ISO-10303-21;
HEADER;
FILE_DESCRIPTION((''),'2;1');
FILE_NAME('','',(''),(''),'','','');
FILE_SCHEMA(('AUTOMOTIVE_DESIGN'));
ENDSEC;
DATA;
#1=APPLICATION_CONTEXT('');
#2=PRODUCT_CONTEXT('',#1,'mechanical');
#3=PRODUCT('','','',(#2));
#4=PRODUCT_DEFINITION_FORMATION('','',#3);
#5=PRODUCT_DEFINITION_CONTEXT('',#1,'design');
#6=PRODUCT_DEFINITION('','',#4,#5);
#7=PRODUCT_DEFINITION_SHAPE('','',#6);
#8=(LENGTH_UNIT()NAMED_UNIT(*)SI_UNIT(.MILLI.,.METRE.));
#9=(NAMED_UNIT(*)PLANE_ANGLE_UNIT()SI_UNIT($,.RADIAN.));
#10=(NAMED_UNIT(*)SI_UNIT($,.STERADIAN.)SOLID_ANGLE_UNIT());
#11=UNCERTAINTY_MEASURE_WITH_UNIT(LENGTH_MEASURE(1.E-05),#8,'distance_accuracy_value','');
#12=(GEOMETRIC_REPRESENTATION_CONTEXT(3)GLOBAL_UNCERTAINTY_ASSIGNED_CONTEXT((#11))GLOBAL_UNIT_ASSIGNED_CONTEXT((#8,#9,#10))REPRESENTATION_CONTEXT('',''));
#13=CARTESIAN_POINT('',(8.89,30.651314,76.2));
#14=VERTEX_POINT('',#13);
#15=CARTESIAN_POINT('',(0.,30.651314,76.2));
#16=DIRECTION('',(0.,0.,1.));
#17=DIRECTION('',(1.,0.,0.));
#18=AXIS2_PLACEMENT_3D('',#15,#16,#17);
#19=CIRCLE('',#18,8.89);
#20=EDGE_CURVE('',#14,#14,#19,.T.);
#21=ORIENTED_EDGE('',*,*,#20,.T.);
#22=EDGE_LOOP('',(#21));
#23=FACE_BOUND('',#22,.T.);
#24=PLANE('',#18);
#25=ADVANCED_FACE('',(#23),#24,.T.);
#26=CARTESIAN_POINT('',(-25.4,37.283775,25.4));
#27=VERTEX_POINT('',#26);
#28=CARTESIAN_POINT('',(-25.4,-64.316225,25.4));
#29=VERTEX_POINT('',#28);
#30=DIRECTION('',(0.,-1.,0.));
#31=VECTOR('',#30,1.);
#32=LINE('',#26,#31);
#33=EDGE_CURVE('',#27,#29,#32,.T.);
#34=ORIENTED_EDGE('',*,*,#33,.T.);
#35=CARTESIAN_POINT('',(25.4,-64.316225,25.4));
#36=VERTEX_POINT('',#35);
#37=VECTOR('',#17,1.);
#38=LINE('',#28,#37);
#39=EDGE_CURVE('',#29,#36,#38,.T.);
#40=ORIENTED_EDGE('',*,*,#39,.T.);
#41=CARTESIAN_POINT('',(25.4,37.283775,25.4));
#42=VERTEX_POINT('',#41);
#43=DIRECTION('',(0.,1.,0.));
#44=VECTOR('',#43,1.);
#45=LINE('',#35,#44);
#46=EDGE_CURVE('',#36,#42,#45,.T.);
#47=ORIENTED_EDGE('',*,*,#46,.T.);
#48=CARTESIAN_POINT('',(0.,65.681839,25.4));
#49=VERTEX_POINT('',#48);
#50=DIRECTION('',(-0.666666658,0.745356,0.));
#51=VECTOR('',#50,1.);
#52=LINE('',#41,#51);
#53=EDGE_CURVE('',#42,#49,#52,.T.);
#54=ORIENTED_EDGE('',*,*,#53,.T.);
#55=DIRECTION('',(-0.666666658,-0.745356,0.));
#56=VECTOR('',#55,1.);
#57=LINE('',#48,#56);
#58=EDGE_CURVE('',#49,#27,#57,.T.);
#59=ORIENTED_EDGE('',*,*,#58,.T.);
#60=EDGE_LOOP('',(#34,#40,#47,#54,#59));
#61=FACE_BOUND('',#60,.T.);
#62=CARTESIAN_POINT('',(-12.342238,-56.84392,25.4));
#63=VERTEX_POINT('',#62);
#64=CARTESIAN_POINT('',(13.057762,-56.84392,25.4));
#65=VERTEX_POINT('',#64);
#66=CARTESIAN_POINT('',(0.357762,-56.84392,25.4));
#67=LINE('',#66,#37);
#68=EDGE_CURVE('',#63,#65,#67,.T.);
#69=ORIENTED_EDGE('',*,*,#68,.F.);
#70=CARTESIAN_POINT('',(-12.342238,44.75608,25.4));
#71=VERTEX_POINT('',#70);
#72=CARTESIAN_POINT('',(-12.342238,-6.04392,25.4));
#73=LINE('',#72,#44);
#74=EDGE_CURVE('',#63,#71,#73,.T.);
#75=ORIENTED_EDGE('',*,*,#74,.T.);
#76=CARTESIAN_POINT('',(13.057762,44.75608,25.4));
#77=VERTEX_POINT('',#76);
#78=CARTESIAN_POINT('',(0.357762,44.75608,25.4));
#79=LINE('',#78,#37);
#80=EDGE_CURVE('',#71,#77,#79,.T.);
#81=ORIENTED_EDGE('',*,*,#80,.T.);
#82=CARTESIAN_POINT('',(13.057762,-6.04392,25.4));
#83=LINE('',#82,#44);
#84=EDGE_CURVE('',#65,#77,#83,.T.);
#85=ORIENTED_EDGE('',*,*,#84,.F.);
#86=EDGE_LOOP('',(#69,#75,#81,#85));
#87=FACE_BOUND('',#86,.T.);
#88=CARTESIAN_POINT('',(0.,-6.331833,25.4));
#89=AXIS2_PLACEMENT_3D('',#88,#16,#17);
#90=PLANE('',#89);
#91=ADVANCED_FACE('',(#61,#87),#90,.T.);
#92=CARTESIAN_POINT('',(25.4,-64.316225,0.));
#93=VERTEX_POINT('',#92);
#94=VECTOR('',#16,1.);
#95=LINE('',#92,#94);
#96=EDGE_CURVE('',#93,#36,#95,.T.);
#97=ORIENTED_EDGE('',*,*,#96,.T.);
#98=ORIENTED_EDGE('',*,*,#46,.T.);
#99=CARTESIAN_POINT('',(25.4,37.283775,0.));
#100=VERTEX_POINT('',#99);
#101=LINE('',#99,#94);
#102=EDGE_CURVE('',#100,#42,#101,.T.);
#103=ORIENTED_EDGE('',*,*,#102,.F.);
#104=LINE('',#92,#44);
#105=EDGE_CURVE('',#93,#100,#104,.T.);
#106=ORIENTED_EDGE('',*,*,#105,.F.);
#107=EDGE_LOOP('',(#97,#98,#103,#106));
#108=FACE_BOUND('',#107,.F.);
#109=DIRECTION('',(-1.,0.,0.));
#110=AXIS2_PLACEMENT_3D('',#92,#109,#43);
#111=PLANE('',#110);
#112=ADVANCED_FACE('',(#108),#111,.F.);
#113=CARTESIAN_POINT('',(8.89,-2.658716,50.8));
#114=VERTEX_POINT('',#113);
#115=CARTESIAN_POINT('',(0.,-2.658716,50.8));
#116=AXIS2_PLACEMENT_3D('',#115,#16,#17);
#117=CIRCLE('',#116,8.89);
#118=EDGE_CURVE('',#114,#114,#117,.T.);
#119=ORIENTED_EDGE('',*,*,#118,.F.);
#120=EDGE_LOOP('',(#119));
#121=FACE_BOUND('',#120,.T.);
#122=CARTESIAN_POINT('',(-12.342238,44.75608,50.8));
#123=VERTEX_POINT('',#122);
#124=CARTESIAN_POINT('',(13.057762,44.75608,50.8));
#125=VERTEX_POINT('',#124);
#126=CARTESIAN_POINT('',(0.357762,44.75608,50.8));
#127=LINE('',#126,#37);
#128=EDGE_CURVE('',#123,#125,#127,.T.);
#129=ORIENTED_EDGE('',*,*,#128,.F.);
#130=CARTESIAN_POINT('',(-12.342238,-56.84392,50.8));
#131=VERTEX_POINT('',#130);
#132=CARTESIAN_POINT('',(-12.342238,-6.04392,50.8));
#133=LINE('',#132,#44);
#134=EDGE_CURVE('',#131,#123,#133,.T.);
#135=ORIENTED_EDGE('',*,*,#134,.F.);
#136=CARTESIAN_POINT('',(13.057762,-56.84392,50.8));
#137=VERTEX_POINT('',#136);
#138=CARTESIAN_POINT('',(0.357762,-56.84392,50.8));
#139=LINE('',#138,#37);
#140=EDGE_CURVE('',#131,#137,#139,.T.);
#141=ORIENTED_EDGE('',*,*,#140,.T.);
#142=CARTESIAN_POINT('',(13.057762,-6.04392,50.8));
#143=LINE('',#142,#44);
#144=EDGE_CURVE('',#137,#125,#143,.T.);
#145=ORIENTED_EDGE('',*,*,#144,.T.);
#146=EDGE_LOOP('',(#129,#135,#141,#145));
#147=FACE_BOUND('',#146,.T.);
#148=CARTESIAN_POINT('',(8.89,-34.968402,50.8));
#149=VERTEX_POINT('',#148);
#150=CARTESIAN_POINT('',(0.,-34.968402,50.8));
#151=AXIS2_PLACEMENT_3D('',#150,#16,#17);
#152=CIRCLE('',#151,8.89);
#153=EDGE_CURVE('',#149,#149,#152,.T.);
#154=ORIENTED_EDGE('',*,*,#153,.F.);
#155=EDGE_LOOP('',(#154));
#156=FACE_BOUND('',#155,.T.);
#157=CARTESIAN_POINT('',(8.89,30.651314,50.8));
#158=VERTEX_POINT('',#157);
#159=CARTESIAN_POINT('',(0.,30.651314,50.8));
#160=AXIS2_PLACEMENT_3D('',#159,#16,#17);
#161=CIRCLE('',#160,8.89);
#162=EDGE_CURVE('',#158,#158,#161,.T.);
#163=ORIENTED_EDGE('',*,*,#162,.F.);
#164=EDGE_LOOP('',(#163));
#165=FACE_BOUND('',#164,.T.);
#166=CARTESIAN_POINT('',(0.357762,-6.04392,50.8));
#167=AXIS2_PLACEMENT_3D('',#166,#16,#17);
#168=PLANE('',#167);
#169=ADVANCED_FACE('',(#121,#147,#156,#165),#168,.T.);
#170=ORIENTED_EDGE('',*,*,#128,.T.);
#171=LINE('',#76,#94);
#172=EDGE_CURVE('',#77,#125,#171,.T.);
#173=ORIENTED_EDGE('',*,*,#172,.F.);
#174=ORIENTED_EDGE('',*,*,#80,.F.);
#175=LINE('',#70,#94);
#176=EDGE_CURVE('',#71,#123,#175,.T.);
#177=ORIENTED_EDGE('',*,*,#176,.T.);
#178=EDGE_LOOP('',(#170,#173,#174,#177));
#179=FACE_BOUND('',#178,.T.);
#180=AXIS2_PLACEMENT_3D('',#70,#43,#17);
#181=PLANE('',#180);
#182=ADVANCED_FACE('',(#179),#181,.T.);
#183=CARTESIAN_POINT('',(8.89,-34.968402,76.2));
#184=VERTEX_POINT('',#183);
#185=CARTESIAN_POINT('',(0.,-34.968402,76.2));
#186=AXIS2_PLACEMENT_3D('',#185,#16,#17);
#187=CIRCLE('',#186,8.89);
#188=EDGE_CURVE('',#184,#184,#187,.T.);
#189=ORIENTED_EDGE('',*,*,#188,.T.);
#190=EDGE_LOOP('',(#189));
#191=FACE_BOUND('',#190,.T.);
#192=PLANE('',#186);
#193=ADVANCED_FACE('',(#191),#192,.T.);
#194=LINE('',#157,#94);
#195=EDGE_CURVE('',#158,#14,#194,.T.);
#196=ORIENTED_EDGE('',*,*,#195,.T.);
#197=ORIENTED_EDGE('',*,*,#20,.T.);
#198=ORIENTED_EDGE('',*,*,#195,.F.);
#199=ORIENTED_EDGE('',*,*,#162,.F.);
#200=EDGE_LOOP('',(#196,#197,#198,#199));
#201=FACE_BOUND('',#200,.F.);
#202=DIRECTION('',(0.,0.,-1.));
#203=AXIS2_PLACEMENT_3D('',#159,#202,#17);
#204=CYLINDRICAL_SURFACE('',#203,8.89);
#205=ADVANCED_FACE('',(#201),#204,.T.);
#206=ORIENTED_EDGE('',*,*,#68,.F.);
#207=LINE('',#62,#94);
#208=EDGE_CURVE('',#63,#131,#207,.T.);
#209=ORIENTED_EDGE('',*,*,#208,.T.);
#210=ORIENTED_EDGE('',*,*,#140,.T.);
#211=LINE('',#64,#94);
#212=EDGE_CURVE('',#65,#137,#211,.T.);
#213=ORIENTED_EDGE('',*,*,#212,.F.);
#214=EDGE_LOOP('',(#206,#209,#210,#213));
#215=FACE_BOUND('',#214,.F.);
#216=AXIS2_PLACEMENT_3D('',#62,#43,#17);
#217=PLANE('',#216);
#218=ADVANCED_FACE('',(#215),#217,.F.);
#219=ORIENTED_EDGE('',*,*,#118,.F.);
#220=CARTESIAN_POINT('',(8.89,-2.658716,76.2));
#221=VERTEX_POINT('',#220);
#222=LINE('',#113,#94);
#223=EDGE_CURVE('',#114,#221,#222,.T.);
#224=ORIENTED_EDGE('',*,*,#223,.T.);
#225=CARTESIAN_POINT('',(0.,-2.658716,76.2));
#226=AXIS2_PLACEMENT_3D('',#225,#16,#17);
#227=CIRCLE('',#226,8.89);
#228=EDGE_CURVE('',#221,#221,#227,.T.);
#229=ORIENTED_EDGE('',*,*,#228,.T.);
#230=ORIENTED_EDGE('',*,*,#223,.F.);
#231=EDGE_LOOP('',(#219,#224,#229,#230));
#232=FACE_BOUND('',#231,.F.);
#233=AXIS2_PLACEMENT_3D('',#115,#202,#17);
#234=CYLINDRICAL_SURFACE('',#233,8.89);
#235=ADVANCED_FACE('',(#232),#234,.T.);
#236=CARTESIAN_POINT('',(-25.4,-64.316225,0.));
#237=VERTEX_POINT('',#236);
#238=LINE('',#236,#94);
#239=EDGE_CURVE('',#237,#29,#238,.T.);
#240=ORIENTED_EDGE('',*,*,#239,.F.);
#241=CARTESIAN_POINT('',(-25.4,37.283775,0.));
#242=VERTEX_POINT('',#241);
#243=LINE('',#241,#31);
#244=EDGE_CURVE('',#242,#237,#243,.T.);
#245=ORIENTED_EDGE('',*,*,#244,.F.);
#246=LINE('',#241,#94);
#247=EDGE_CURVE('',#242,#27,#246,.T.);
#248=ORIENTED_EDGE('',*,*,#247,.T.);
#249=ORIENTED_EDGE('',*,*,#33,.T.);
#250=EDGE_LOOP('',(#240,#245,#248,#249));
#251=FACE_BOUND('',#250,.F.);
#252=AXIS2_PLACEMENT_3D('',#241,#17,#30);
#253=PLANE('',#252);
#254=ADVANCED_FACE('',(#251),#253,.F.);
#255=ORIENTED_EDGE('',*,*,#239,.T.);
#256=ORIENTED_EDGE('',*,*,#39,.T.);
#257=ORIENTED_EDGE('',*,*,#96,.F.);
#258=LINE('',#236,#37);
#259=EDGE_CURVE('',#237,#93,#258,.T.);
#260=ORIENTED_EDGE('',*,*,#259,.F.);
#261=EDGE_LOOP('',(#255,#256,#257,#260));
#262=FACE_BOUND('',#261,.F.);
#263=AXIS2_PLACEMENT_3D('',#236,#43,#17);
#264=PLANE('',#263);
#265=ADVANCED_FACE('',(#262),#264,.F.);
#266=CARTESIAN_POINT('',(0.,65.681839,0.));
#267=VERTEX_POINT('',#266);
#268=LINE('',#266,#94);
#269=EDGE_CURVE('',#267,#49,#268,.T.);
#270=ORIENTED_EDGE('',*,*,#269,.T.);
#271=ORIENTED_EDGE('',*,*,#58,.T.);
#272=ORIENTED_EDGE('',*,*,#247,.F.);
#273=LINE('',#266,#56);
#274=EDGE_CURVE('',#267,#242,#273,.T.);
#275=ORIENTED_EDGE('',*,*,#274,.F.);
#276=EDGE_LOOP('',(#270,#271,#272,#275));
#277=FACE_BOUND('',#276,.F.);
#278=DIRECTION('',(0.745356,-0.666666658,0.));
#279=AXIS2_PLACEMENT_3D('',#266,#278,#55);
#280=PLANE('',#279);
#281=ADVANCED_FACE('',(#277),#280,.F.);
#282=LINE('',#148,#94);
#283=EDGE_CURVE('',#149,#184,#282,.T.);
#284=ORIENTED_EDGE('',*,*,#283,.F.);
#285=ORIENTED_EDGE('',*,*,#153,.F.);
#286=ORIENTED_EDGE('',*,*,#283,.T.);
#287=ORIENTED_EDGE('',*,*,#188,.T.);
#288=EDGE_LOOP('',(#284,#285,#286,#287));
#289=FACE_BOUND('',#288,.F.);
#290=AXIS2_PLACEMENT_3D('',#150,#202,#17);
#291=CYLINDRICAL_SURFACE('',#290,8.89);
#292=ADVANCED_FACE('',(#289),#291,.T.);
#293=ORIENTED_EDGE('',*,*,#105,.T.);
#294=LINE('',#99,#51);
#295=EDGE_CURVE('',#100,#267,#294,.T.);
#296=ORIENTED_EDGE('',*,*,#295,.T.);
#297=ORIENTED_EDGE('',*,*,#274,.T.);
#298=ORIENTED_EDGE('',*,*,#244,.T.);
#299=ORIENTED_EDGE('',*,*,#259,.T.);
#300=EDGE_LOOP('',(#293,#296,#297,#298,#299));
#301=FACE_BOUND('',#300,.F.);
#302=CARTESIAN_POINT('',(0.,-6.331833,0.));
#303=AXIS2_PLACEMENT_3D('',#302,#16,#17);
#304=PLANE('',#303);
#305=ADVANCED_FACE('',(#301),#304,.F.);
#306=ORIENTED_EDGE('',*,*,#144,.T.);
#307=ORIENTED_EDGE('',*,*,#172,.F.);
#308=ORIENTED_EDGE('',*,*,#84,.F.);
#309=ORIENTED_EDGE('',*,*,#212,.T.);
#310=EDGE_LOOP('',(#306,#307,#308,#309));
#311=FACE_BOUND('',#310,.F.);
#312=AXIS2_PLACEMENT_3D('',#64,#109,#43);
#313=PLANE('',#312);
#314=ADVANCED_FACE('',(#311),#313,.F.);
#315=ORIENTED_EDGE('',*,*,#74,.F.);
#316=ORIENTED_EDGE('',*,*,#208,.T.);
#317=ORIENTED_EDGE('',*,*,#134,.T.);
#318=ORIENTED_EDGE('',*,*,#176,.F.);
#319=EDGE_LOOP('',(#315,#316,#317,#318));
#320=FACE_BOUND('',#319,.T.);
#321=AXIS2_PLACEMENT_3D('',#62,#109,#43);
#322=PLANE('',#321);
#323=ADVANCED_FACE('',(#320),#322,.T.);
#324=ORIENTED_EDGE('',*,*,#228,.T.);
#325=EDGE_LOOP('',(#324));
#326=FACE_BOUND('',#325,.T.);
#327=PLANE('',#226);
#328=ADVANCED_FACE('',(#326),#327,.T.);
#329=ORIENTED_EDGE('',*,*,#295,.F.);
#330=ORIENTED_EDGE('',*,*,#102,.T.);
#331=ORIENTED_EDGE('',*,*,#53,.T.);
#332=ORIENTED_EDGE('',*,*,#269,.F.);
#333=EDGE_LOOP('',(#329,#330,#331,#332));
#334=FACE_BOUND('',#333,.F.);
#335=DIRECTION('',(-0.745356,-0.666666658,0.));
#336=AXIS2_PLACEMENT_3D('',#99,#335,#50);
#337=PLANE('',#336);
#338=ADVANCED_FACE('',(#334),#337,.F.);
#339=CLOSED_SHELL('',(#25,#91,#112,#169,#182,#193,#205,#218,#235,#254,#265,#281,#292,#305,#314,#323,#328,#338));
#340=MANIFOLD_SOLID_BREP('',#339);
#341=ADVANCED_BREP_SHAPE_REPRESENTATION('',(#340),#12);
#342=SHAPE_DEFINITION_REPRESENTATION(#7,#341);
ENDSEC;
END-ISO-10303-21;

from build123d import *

# Parameters (mm, degrees)
F1_DEPTH = 25.4
F2_W     = 25.4
F2_H     = 101.6
F3_DEPTH = 25.4
F4_R     = 8.89
F5_DEPTH = 25.4


with BuildPart() as f1:
    # F0 (on Top) → F1 (new body)
    with BuildSketch(Plane.XY):
        Polygon((25.4, -64.316225), (25.4, 37.283775), (0, 65.681839), (-25.4, 37.283775), (-25.4, -64.316225), align=None)
    extrude(amount=F1_DEPTH)

    # F2 (on face) → F3 (join)
    with BuildSketch(Plane.XY.offset(25.4)):
        with Locations((0.357762, -6.04392)):
            Rectangle(F2_W, F2_H)
    extrude(amount=F3_DEPTH)

    # F4 (on face) → F5 (join)
    with BuildSketch(Plane.XY.offset(50.8)):
        with Locations((0, -34.968402)):
            Circle(F4_R)
        with Locations((0, -2.658716)):
            Circle(F4_R)
        with Locations((0, 30.651314)):
            Circle(F4_R)
    extrude(amount=F5_DEPTH)


solid = f1.part
